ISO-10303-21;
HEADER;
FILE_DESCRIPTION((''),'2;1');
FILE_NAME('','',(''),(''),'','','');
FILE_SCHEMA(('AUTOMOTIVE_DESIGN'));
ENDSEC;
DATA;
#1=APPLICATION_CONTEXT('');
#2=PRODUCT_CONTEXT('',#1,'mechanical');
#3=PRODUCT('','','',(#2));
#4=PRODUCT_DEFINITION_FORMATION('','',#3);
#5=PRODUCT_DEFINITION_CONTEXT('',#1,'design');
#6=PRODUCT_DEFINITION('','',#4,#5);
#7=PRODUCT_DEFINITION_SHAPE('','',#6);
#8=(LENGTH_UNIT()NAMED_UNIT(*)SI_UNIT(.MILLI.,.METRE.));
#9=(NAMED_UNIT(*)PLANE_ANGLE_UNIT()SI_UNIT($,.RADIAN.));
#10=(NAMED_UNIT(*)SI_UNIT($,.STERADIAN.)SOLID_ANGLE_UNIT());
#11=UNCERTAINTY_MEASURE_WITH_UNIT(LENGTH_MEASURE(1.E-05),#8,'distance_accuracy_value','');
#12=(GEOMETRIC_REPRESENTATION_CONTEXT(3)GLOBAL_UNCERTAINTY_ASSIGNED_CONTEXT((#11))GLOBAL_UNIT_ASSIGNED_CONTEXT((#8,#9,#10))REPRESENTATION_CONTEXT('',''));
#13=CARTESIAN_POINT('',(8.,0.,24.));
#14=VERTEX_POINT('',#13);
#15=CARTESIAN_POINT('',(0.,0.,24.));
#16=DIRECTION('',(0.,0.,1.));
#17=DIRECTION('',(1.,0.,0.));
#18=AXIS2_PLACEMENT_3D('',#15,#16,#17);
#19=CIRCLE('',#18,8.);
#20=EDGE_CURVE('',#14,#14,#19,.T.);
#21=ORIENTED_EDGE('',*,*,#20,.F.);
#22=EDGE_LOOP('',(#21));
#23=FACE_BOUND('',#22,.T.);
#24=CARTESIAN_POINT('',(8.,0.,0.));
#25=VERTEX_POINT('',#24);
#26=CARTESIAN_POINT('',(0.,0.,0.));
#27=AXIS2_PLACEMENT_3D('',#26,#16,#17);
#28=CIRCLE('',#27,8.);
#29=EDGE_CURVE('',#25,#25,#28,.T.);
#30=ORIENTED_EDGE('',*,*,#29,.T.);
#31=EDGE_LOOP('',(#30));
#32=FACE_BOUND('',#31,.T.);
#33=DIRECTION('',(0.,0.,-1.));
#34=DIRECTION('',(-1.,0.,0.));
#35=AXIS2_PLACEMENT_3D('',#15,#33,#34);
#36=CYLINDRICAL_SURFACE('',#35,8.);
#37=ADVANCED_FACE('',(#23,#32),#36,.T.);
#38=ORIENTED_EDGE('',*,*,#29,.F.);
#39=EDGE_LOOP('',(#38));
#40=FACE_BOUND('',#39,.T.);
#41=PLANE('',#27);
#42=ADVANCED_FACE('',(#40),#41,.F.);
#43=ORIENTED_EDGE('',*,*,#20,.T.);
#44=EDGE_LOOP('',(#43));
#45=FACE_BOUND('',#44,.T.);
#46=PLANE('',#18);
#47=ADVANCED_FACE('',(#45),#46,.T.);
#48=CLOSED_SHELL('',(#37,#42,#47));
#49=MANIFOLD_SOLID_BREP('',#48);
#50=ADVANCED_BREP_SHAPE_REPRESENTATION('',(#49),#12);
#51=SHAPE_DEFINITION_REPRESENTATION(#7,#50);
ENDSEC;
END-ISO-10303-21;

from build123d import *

# Parameters (mm, degrees)
SKETCH_1_R      = 8
EXTRUDE_1_DEPTH = 24


with BuildPart() as part:
    # 草图1 → 凸台-拉伸1 (new body)
    with BuildSketch(Plane.XY):
        Circle(SKETCH_1_R)
    extrude(amount=EXTRUDE_1_DEPTH)


solid = part.part
